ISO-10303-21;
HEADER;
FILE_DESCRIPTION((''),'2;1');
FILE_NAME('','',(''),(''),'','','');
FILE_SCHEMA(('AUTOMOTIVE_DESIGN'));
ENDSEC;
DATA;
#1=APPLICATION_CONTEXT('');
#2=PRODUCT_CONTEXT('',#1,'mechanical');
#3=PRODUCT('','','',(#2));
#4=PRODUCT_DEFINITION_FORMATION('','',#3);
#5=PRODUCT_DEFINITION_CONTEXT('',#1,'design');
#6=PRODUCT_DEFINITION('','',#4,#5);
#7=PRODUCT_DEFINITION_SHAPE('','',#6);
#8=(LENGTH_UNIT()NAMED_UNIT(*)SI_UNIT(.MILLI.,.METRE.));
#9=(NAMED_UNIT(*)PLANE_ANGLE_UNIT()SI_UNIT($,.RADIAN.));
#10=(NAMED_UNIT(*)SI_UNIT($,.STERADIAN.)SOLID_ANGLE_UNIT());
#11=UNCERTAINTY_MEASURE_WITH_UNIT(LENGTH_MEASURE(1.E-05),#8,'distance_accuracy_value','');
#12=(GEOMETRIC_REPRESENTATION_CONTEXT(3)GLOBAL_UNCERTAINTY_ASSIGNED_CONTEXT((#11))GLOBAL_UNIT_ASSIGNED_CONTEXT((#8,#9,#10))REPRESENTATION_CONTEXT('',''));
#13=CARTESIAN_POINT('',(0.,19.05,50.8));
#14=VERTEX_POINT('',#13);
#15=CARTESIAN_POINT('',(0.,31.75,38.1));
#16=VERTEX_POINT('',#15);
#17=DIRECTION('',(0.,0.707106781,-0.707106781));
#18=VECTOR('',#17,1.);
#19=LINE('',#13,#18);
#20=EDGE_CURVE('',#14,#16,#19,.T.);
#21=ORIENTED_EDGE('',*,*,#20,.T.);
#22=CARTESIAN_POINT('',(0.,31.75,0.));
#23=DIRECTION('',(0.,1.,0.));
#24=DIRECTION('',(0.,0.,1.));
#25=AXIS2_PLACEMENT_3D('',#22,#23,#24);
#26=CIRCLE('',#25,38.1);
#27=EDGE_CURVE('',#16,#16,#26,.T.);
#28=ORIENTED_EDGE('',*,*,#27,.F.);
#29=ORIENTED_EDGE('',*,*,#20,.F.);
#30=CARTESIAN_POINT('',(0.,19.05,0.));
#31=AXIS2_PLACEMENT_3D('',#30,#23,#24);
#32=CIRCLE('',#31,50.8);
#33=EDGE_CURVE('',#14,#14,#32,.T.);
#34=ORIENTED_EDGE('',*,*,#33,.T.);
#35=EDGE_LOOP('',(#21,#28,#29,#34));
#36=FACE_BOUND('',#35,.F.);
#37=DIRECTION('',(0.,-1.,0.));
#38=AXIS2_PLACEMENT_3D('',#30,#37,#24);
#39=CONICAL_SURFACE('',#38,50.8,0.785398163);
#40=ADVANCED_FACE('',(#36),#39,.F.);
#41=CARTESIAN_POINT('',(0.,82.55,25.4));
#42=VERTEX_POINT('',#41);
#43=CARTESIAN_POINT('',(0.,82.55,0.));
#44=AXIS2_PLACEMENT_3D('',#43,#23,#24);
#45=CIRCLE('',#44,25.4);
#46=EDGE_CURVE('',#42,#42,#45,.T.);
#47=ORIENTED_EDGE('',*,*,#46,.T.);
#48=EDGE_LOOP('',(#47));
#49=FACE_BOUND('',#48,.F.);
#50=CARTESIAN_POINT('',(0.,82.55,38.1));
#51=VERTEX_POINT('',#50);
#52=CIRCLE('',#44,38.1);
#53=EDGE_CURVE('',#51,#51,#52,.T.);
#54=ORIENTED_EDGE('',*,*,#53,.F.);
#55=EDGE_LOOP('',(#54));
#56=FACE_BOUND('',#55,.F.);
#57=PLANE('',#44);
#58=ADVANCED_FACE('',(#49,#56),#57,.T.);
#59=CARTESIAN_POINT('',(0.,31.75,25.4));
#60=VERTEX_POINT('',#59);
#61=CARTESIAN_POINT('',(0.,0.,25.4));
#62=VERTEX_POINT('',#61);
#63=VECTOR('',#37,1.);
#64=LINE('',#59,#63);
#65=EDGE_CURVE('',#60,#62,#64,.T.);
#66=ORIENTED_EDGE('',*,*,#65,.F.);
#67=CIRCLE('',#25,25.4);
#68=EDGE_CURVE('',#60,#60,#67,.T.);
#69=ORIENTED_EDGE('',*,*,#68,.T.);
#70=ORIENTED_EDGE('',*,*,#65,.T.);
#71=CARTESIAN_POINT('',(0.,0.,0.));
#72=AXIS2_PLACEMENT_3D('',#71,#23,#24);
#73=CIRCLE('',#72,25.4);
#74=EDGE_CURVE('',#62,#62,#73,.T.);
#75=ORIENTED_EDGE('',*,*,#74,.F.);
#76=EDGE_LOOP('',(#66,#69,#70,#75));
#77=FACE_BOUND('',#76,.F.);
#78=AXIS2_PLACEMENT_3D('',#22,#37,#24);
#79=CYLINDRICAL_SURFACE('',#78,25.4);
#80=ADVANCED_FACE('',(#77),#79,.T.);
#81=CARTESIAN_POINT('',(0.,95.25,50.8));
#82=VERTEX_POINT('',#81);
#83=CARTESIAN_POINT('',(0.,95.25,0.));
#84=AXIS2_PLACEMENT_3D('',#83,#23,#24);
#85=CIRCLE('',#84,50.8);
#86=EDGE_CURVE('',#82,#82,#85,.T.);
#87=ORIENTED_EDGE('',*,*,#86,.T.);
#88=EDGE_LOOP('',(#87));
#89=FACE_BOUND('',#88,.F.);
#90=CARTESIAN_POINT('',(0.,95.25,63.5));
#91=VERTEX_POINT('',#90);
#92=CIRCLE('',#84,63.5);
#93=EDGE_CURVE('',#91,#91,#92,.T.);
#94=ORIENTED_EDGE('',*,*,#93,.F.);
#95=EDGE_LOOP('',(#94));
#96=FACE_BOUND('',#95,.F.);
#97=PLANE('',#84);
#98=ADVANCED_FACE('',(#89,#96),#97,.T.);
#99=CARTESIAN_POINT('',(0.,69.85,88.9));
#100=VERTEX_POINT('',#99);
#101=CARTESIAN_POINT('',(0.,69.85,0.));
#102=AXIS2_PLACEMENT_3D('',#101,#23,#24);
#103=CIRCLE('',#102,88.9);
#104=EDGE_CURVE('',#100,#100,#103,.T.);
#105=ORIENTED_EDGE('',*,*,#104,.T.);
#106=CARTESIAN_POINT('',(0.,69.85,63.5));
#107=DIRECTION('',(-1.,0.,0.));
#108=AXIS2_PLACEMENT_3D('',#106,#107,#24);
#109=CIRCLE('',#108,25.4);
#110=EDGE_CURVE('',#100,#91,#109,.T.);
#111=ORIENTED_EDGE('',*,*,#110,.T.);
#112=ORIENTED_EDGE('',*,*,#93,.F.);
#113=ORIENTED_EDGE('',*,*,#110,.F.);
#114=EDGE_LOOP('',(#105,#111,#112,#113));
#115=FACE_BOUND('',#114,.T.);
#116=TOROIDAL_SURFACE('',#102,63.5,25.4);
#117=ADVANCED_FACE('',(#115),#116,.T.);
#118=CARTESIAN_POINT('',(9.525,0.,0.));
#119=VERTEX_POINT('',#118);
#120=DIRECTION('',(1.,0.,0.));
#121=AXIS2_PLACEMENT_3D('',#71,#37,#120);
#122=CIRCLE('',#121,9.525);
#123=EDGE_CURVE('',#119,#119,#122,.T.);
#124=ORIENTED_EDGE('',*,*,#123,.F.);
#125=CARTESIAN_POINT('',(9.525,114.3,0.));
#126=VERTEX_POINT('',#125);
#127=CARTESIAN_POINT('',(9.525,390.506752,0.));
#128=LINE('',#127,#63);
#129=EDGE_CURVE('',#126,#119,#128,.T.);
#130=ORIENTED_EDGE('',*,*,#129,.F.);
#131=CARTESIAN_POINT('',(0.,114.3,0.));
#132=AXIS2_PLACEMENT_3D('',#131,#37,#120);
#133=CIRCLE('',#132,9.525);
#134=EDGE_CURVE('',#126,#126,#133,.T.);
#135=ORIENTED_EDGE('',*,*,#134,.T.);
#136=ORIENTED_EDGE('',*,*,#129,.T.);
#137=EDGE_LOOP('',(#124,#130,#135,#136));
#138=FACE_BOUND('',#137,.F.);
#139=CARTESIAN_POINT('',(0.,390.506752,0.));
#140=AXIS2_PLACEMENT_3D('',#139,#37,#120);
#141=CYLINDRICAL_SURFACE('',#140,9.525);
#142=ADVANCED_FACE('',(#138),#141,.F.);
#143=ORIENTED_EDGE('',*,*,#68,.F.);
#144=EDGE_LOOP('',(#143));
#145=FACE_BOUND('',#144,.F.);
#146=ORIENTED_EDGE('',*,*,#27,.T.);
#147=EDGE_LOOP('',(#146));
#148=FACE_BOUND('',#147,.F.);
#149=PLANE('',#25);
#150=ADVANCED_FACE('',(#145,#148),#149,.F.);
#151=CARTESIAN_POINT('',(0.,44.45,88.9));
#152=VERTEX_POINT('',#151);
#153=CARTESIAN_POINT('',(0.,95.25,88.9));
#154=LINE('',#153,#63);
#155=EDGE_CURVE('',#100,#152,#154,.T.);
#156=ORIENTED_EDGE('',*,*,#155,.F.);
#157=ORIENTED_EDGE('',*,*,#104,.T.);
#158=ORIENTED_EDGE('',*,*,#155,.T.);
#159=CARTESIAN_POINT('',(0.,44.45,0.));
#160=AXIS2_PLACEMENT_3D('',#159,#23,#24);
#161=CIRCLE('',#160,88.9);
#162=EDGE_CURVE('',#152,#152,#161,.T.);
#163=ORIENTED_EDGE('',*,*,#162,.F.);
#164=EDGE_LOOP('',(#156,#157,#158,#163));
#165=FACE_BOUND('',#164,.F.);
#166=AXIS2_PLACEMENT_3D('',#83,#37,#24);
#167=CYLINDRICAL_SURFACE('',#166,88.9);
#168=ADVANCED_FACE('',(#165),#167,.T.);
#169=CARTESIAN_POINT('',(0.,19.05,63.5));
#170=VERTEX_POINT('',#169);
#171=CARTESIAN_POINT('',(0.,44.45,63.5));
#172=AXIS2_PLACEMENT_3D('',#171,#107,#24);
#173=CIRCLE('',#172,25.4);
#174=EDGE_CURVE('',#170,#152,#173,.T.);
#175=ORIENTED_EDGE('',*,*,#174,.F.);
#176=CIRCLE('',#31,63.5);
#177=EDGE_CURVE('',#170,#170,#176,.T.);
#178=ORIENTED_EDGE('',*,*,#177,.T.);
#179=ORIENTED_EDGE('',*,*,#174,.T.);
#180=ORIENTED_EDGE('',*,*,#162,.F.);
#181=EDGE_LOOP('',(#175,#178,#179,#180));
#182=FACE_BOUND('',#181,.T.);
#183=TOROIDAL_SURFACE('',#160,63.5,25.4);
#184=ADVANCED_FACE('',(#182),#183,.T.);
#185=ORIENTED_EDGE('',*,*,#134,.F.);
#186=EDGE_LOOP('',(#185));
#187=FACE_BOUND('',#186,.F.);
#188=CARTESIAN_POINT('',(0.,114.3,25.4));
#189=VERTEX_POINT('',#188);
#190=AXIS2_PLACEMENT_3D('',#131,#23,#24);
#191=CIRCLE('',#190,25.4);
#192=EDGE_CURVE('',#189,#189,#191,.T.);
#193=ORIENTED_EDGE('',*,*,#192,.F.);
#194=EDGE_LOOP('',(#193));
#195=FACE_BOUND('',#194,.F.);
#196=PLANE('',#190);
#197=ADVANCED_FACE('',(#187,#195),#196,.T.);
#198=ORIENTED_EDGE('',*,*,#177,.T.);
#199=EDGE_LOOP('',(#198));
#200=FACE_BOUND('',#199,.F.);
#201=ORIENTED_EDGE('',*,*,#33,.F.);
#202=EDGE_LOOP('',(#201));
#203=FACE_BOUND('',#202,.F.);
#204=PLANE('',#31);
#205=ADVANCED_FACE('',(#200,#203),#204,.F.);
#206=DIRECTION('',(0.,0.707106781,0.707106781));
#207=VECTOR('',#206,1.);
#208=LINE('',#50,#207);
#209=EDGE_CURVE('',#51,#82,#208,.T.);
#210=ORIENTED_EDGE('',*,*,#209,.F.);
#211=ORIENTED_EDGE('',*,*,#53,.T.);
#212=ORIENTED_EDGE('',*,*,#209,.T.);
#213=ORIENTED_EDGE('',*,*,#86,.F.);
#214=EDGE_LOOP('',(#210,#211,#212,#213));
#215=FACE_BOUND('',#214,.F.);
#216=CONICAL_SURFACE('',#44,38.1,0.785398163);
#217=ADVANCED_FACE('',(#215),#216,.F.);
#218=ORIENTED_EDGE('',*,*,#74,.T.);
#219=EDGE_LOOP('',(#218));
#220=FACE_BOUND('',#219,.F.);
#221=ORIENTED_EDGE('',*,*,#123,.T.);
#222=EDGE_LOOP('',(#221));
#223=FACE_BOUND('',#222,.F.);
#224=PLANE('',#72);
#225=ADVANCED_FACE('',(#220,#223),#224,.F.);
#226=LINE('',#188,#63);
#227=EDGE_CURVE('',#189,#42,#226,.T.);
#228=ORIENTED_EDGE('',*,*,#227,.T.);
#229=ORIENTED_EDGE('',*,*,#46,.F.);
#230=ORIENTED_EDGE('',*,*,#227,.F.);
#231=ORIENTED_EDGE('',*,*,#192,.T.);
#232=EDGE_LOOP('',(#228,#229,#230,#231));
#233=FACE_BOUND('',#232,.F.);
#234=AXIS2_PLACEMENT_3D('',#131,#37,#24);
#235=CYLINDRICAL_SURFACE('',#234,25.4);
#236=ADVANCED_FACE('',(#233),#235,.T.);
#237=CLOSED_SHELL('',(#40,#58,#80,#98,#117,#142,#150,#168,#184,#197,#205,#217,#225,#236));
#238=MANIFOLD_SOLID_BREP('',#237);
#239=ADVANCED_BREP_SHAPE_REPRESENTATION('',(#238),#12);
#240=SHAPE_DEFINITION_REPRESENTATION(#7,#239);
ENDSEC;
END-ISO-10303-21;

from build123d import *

# Parameters (mm, degrees)
F3_D = 19.05
F4_R = 25.4


with BuildPart() as f1:
    # F0 (on Right) → F1 (revolve)
    with BuildSketch(Plane.YZ):
        Polygon((0, 25.4), (0, 0), (114.3, 0), (114.3, 25.4), (82.55, 25.4), (82.55, 38.1), (95.25, 50.8), (95.25, 88.9), (19.05, 88.9), (19.05, 50.8), (31.75, 38.1), (31.75, 25.4), align=None)
    revolve(axis=Axis((0, 77.023387, 0), (0, 1, 0)))

    # F3 (through all)
    with Locations(Plane(origin=(0, 114.3, 0), x_dir=(-1, 0, 0), z_dir=(0, 1, 0))):
        with Locations((0, 0)):
            Hole(F3_D / 2)

    # F4
    f4_edges = [f1.edges().sort_by_distance(p)[0] for p in [
        (0, 95.25, -88.9),
        (0, 19.05, -88.9),
    ]]
    fillet(f4_edges, radius=F4_R)


solid = f1.part
